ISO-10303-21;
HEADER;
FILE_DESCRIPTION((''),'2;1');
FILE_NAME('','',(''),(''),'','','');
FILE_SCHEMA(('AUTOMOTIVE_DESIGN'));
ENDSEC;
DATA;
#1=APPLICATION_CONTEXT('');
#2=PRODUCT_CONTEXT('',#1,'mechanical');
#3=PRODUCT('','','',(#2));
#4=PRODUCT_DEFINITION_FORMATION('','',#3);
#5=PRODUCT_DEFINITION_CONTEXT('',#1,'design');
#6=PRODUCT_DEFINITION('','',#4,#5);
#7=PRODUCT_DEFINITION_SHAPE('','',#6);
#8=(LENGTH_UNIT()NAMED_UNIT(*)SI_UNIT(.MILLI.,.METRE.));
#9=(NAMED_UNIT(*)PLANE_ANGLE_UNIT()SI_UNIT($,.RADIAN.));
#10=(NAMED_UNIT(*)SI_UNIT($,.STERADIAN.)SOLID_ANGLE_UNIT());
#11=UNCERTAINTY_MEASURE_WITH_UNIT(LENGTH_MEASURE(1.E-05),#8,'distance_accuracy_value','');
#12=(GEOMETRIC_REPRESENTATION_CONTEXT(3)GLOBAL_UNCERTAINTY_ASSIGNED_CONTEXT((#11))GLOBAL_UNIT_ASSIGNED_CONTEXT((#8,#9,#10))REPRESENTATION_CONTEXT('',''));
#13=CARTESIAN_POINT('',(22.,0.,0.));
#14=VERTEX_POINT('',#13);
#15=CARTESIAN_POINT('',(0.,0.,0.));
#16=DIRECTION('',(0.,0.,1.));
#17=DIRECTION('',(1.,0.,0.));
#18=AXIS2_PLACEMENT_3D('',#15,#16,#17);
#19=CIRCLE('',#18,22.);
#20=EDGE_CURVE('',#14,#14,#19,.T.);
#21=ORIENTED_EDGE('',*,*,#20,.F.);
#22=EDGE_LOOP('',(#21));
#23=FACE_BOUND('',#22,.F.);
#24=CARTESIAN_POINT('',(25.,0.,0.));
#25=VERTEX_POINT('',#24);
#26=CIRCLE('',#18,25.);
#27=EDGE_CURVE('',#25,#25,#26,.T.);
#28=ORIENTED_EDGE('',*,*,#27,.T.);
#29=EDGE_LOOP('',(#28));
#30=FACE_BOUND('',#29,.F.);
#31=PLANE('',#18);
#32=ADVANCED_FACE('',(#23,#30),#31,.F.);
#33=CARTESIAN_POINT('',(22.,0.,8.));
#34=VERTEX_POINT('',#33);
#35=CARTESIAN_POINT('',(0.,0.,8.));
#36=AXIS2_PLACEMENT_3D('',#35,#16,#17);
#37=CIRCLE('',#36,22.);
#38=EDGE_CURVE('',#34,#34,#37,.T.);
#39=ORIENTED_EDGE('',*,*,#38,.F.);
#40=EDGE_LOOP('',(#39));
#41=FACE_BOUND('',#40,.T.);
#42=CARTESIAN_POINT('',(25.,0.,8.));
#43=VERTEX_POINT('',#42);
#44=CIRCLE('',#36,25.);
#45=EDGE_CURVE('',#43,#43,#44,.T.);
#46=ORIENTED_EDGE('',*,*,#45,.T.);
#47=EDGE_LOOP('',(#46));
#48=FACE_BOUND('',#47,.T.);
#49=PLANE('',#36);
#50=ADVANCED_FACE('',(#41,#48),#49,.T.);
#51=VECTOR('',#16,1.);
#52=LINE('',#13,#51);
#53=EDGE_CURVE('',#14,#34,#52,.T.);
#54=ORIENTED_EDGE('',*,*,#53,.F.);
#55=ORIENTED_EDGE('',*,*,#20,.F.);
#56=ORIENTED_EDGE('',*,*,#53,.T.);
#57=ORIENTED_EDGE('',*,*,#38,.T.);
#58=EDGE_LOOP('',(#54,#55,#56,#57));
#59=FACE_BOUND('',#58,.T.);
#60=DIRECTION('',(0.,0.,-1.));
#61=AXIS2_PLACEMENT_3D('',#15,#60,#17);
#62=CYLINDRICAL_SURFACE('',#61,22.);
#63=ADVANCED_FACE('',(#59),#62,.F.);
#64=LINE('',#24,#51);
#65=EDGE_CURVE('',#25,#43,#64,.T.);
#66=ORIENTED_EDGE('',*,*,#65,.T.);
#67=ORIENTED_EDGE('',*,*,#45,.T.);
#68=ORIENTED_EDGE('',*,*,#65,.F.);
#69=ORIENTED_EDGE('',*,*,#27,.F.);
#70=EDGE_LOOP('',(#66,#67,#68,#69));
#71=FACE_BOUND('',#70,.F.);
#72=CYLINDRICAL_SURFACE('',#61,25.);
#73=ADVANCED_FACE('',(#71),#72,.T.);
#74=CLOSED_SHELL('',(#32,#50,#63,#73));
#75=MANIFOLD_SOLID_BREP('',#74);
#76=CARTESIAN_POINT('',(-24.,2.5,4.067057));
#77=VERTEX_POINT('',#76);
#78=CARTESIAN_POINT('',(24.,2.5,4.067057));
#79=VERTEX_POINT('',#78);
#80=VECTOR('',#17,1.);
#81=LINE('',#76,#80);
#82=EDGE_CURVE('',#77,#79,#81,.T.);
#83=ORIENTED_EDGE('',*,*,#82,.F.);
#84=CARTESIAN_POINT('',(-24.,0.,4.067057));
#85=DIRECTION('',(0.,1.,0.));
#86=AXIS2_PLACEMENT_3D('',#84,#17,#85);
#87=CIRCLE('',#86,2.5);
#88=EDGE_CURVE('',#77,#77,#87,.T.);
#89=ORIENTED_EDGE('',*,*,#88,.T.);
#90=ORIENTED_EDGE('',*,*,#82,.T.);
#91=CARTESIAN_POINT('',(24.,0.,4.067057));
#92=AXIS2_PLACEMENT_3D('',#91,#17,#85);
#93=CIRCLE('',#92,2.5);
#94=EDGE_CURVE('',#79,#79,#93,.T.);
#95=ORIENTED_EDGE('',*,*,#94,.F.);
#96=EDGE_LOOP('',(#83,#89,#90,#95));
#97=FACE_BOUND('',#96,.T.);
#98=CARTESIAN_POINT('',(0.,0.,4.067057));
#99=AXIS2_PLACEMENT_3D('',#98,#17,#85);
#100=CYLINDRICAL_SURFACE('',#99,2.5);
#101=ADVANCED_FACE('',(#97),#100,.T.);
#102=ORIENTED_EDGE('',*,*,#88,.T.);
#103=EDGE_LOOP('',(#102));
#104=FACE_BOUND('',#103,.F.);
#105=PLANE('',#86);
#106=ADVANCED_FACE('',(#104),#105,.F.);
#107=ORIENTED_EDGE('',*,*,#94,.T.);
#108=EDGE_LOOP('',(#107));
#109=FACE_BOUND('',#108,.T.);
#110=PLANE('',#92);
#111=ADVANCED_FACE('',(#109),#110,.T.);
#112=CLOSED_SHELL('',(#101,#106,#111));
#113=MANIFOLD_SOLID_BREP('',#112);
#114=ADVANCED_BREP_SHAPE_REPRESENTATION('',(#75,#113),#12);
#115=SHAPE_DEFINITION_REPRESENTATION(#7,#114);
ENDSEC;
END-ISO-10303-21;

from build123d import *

# Parameters (mm, degrees)
F0_R          = 25
F0_R_2        = 22
F1_DEPTH      = 8
F2_R          = 2.5
F3_DEPTH      = 24
F3_DEPTH_BACK = 24


with BuildPart() as f1:
    # F0 (on Top) → F1 (new body)
    with BuildSketch(Plane.XY):
        Circle(F0_R)
        Circle(F0_R_2, mode=Mode.SUBTRACT)
    extrude(amount=F1_DEPTH)


with BuildPart() as f3:
    # F2 (on Right) → F3 (new body, two sides)
    with BuildSketch(Plane.YZ) as f3_sk:
        with Locations((0, 4.067057)):
            Circle(F2_R)
    extrude(amount=F3_DEPTH)
    extrude(f3_sk.sketch, amount=-F3_DEPTH_BACK)


solid = Compound([f1.part, f3.part])
